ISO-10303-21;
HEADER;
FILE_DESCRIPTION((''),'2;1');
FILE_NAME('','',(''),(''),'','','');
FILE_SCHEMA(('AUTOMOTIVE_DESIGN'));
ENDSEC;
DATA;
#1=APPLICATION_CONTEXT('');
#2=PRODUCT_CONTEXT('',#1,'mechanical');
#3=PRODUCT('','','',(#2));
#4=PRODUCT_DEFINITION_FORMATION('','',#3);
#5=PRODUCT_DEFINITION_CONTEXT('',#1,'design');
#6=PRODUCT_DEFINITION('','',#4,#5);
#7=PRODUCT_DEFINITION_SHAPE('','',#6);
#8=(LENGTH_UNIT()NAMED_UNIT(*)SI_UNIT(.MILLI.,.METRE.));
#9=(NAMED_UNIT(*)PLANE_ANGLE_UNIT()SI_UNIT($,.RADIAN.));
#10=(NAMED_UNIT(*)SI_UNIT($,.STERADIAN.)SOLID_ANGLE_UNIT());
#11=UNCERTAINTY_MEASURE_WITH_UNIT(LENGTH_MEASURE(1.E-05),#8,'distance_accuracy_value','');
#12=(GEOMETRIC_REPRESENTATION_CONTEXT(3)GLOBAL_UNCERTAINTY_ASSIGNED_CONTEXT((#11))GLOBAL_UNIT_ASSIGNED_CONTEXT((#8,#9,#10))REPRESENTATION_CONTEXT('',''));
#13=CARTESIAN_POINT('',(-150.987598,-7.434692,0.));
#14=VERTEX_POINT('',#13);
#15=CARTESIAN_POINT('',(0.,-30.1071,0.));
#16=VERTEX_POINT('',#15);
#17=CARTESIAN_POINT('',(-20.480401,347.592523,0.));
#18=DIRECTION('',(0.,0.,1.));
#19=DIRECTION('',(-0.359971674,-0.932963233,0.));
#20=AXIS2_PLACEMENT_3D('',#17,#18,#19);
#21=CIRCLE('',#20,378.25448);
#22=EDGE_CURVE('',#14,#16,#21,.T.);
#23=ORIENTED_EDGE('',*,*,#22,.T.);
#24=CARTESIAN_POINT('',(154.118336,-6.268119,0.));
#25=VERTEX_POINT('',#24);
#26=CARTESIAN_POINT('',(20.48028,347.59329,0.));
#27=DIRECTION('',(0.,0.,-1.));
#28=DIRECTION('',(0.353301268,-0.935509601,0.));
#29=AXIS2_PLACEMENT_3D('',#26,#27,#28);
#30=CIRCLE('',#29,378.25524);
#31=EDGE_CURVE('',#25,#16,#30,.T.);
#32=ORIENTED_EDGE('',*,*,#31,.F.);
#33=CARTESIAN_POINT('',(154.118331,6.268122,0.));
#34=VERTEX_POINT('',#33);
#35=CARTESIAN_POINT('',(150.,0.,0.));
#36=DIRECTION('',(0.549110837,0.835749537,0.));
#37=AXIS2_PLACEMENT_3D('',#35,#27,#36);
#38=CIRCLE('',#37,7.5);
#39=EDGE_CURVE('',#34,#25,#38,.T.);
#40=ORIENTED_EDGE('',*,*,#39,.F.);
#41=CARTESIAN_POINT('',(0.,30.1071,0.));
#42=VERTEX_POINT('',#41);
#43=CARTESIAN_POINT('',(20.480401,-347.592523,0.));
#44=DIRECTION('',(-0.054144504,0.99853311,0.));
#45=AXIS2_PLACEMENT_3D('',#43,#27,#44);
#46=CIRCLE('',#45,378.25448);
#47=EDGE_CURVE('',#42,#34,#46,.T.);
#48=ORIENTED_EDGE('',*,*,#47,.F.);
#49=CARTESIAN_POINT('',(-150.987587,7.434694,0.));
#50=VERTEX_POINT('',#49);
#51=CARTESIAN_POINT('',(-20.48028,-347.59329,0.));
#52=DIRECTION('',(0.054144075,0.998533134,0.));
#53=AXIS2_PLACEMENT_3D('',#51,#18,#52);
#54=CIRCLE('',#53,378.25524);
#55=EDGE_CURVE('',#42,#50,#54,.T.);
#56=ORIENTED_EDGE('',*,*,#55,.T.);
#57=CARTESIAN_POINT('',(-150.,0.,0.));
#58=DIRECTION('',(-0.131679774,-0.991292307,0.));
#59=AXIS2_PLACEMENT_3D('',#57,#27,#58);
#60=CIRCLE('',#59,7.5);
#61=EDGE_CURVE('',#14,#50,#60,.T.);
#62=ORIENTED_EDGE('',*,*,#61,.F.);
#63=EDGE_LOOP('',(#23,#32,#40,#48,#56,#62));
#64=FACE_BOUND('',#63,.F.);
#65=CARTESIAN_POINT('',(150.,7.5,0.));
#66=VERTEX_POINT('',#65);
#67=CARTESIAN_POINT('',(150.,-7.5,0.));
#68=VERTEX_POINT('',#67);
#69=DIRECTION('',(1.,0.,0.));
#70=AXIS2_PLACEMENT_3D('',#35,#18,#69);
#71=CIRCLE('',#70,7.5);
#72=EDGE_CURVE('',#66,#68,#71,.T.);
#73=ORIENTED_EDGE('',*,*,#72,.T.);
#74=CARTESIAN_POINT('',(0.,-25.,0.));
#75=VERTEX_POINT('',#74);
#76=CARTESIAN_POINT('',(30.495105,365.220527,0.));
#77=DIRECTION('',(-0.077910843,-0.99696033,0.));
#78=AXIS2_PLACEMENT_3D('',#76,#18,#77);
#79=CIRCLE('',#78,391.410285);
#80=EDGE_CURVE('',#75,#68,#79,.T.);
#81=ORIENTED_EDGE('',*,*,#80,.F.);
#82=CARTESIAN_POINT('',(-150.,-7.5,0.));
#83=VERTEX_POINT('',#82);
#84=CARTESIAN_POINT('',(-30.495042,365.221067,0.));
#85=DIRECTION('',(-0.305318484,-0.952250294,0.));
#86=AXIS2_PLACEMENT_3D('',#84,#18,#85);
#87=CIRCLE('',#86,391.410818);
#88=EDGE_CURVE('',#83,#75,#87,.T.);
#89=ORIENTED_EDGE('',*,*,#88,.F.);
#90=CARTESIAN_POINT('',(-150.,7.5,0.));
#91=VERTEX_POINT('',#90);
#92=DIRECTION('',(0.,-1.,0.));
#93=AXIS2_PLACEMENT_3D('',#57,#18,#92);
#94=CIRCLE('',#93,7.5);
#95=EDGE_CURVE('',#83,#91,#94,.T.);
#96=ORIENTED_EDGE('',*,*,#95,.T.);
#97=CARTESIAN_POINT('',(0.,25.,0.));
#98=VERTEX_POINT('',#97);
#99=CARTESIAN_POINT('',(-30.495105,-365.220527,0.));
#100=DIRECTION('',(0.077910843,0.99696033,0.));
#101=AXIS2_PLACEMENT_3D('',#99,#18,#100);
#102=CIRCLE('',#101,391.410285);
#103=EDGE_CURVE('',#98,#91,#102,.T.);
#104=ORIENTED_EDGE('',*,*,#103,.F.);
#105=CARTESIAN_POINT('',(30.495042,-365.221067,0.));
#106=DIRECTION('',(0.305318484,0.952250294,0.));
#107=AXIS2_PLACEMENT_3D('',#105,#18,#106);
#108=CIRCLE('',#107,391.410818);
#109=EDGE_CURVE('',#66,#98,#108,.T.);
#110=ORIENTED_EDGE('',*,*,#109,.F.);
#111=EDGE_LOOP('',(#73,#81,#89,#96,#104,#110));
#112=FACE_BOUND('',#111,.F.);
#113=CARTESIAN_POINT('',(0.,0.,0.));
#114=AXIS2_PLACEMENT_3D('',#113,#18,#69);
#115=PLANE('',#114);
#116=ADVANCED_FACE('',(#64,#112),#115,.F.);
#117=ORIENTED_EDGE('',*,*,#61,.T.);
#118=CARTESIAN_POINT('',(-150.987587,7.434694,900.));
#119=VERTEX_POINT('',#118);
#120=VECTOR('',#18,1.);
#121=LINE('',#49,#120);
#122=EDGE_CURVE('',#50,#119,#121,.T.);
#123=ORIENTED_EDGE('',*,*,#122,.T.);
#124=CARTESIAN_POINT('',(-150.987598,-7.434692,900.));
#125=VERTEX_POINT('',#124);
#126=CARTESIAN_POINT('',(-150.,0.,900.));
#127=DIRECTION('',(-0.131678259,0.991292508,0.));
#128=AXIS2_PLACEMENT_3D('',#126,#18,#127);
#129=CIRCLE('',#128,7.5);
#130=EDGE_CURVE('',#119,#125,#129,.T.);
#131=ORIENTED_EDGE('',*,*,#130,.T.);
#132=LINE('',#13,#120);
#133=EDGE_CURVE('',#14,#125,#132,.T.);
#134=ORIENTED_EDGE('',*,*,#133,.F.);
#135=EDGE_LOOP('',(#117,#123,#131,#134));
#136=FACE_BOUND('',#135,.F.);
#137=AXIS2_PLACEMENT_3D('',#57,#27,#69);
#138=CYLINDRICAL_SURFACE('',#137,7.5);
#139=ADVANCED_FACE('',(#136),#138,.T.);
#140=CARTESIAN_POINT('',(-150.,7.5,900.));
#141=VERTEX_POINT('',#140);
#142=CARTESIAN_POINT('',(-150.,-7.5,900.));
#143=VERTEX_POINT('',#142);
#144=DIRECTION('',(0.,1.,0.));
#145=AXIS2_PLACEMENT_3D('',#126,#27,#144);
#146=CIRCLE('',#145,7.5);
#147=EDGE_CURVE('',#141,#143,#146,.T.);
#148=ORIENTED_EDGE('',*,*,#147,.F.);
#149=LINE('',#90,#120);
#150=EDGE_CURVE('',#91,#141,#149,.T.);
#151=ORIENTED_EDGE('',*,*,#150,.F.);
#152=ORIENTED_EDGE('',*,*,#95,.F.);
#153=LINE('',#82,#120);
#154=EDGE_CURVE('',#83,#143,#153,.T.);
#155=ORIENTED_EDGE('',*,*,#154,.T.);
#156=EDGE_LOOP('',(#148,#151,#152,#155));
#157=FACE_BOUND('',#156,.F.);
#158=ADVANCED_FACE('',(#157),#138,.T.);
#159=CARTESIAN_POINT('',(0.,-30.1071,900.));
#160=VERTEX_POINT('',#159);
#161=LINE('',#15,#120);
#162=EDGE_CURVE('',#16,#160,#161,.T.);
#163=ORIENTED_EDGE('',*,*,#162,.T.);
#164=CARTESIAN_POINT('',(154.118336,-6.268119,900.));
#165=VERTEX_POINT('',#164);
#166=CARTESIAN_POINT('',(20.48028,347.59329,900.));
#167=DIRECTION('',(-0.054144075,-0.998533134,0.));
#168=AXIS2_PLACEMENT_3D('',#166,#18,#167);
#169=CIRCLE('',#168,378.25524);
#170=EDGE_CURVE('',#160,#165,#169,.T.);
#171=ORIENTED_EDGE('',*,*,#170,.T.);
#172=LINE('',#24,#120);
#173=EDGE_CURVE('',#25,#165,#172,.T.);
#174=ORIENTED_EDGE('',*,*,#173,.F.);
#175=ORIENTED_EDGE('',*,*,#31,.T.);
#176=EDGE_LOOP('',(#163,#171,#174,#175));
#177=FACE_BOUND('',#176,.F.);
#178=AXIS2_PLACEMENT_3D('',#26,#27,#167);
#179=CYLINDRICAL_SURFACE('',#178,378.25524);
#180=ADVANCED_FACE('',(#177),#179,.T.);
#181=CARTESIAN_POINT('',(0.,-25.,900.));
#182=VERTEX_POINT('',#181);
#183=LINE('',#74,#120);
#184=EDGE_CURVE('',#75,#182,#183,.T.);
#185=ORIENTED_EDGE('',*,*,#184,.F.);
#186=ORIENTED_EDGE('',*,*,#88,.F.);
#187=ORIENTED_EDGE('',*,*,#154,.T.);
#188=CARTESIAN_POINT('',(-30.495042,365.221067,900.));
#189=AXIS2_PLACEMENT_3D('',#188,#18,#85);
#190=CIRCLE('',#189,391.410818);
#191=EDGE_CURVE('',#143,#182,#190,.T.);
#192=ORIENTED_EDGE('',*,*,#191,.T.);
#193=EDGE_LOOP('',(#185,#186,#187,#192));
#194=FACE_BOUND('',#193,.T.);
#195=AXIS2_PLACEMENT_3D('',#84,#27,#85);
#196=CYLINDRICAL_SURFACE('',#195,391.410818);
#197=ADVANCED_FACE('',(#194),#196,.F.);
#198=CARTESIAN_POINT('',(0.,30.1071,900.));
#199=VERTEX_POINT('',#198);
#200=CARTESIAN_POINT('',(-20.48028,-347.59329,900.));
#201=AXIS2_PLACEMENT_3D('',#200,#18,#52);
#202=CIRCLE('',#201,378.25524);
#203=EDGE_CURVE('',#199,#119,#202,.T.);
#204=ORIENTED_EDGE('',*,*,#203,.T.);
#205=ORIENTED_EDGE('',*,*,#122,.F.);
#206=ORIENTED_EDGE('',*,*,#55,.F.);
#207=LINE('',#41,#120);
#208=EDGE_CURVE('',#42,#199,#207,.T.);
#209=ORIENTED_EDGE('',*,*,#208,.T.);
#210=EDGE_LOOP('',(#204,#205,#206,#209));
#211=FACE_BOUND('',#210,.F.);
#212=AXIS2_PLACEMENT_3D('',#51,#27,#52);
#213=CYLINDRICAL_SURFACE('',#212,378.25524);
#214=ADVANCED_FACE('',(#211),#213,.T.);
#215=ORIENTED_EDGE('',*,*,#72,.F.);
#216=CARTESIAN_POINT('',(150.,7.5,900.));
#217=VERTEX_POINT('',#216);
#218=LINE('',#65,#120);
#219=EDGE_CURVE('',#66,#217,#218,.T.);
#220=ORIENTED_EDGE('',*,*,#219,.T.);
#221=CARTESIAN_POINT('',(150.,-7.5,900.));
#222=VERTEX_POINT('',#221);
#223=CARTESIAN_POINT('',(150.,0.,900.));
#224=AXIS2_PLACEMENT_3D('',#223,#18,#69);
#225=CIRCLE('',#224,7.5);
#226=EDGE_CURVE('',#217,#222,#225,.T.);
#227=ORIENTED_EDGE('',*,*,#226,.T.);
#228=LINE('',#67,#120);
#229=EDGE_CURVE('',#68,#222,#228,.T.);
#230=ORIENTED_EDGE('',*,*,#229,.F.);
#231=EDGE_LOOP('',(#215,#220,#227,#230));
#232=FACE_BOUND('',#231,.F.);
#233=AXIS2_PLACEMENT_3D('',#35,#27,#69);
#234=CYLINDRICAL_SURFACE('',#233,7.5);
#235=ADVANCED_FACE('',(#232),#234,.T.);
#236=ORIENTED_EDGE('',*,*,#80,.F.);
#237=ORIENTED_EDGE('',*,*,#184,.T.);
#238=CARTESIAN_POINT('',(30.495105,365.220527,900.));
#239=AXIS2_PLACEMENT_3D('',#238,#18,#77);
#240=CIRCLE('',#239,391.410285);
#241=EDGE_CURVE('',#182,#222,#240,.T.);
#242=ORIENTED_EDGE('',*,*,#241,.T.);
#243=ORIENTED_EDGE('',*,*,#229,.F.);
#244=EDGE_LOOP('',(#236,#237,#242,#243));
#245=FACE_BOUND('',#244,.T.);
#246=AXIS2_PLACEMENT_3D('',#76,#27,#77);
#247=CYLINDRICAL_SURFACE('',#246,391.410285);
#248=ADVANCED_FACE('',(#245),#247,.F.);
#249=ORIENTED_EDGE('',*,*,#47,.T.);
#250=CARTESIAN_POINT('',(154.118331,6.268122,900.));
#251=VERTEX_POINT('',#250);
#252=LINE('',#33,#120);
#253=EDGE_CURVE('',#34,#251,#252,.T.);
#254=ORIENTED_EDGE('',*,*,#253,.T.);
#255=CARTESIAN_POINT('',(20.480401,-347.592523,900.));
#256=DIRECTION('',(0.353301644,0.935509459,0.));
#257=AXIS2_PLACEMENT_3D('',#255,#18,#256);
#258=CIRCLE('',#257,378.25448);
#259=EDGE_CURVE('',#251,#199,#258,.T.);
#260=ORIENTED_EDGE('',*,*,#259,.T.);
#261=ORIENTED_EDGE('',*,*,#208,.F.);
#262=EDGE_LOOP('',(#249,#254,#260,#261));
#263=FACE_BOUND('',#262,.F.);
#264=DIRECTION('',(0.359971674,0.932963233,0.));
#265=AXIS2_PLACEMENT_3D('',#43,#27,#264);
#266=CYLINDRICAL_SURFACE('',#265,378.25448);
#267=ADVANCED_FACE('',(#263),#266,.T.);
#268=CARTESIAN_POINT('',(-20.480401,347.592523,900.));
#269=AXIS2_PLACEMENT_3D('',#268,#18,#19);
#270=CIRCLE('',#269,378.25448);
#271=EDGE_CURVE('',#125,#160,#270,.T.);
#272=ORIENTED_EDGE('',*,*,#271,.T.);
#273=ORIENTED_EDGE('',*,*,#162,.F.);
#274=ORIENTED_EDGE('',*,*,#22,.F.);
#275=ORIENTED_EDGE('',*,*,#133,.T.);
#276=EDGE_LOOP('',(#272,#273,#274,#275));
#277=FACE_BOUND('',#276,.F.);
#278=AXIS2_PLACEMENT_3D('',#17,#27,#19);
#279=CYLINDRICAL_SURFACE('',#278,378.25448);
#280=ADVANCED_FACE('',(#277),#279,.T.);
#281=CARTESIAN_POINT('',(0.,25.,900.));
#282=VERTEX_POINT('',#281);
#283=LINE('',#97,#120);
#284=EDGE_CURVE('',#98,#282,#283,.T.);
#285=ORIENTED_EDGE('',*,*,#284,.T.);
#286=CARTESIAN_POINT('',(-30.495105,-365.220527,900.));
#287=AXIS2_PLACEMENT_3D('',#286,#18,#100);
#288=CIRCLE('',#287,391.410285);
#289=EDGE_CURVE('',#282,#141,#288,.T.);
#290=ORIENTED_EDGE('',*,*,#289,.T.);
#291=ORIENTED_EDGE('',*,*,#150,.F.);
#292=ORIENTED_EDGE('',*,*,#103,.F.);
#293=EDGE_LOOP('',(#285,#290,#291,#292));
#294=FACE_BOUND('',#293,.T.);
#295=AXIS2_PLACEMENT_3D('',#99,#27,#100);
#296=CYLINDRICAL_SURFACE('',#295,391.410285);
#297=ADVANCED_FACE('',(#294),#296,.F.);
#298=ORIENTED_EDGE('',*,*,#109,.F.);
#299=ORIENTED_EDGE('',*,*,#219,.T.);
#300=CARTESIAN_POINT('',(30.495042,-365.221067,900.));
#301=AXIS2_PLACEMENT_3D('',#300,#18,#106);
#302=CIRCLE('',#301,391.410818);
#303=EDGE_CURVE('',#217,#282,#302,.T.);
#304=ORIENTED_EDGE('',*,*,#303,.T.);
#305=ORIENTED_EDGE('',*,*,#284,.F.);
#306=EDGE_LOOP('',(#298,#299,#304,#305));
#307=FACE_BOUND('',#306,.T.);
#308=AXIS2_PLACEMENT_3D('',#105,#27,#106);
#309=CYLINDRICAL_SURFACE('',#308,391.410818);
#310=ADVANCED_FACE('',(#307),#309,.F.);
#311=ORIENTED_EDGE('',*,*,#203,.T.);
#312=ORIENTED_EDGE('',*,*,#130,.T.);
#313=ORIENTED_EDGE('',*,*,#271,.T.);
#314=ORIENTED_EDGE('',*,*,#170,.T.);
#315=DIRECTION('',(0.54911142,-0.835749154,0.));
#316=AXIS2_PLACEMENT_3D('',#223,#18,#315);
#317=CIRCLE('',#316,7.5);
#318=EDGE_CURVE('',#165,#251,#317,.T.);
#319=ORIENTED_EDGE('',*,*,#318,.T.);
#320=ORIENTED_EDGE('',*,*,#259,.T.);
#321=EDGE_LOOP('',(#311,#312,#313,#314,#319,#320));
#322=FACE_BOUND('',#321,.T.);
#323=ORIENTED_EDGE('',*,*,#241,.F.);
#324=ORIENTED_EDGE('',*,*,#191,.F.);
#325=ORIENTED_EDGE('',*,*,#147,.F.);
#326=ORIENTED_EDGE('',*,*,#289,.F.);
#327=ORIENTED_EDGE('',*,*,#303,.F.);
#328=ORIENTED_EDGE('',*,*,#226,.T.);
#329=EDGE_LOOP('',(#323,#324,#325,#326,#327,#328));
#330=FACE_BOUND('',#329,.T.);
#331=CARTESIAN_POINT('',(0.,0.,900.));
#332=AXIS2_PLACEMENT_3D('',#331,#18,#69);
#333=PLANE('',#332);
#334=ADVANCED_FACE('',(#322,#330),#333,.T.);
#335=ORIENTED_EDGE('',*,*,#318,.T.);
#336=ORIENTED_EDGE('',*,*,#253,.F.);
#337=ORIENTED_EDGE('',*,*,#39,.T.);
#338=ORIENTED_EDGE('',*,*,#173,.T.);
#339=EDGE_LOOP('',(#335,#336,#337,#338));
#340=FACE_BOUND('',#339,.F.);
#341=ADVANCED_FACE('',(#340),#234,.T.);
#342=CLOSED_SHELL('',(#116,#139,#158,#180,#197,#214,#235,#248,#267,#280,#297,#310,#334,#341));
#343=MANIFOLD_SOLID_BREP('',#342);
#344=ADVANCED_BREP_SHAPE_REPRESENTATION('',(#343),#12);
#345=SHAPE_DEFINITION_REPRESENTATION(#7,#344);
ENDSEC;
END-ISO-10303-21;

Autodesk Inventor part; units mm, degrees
ref_plane "YZ Plane" through (0, 0, 0) normal (1, 0, 0) x (0, 1, 0)
ref_plane "XZ Plane" through (0, 0, 0) normal (0, 1, 0) x (-1, 0, 0)
ref_plane "XY Plane" through (0, 0, 0) normal (0, 0, 1) x (1, 0, 0)
sketch "Sketch1" plane through (0, 0, 0) normal (0, 0, 1) x (1, 0, 0)
  circle A0 centre (-150, 0) radius 7.5
  arc A1 (0, 25) -> (-150, 7.5) centre (-30.4951, -365.2208) ccw
  line L0 (-33.8172, 0) -> (-25.2797, 0)
  arc A2 (-150, -7.5) -> (0, -25) centre (-30.4951, 365.2208) ccw
  line L1 (0, 7.5) -> (0, -7.5)
  circle A3 centre (150, 0) radius 7.5
  arc A4 (150, 7.5) -> (0, 25) centre (30.4951, -365.2208) ccw
  arc A5 (0, -25) -> (150, -7.5) centre (30.4951, 365.2208) ccw
  arc A6 (-156.6413, 5.305) -> (-156.6413, -5.305) centre (-150, 0) ccw
  arc A7 (0, 30.1071) -> (-156.6413, 5.305) centre (-20.4803, -347.5929) ccw
  arc A8 (-156.6413, -5.305) -> (0, -30.1071) centre (-20.4803, 347.5929) ccw
  arc A9 (156.6413, 5.305) -> (0, 30.1071) centre (20.4803, -347.5929) ccw
  arc A10 (0, -30.1071) -> (156.6413, -5.305) centre (20.4803, 347.5929) ccw
  point P0 (0, 0)
  point P1 (150, -7.5)
  point P2 (-150, -7.5)
  point P3 (-150.9875, -7.4347)
  point P4 (154.1184, -6.2681)
  point P5 (154.1184, 6.2681)
  point P6 (-150.9875, 7.4347)
  dimension "d0" = 15
  dimension "d1" = 17
extrude "Extrusion1" add sketch "Sketch1" along normal blind 900 contours A0 A8 A7 | A0 A7 A9 A3 A4 A1 | A2 A5 A3 A10 A8 A0 | A7 A0 | A0 A8 | A3 A9 A10
properties part number "Conveyer"
